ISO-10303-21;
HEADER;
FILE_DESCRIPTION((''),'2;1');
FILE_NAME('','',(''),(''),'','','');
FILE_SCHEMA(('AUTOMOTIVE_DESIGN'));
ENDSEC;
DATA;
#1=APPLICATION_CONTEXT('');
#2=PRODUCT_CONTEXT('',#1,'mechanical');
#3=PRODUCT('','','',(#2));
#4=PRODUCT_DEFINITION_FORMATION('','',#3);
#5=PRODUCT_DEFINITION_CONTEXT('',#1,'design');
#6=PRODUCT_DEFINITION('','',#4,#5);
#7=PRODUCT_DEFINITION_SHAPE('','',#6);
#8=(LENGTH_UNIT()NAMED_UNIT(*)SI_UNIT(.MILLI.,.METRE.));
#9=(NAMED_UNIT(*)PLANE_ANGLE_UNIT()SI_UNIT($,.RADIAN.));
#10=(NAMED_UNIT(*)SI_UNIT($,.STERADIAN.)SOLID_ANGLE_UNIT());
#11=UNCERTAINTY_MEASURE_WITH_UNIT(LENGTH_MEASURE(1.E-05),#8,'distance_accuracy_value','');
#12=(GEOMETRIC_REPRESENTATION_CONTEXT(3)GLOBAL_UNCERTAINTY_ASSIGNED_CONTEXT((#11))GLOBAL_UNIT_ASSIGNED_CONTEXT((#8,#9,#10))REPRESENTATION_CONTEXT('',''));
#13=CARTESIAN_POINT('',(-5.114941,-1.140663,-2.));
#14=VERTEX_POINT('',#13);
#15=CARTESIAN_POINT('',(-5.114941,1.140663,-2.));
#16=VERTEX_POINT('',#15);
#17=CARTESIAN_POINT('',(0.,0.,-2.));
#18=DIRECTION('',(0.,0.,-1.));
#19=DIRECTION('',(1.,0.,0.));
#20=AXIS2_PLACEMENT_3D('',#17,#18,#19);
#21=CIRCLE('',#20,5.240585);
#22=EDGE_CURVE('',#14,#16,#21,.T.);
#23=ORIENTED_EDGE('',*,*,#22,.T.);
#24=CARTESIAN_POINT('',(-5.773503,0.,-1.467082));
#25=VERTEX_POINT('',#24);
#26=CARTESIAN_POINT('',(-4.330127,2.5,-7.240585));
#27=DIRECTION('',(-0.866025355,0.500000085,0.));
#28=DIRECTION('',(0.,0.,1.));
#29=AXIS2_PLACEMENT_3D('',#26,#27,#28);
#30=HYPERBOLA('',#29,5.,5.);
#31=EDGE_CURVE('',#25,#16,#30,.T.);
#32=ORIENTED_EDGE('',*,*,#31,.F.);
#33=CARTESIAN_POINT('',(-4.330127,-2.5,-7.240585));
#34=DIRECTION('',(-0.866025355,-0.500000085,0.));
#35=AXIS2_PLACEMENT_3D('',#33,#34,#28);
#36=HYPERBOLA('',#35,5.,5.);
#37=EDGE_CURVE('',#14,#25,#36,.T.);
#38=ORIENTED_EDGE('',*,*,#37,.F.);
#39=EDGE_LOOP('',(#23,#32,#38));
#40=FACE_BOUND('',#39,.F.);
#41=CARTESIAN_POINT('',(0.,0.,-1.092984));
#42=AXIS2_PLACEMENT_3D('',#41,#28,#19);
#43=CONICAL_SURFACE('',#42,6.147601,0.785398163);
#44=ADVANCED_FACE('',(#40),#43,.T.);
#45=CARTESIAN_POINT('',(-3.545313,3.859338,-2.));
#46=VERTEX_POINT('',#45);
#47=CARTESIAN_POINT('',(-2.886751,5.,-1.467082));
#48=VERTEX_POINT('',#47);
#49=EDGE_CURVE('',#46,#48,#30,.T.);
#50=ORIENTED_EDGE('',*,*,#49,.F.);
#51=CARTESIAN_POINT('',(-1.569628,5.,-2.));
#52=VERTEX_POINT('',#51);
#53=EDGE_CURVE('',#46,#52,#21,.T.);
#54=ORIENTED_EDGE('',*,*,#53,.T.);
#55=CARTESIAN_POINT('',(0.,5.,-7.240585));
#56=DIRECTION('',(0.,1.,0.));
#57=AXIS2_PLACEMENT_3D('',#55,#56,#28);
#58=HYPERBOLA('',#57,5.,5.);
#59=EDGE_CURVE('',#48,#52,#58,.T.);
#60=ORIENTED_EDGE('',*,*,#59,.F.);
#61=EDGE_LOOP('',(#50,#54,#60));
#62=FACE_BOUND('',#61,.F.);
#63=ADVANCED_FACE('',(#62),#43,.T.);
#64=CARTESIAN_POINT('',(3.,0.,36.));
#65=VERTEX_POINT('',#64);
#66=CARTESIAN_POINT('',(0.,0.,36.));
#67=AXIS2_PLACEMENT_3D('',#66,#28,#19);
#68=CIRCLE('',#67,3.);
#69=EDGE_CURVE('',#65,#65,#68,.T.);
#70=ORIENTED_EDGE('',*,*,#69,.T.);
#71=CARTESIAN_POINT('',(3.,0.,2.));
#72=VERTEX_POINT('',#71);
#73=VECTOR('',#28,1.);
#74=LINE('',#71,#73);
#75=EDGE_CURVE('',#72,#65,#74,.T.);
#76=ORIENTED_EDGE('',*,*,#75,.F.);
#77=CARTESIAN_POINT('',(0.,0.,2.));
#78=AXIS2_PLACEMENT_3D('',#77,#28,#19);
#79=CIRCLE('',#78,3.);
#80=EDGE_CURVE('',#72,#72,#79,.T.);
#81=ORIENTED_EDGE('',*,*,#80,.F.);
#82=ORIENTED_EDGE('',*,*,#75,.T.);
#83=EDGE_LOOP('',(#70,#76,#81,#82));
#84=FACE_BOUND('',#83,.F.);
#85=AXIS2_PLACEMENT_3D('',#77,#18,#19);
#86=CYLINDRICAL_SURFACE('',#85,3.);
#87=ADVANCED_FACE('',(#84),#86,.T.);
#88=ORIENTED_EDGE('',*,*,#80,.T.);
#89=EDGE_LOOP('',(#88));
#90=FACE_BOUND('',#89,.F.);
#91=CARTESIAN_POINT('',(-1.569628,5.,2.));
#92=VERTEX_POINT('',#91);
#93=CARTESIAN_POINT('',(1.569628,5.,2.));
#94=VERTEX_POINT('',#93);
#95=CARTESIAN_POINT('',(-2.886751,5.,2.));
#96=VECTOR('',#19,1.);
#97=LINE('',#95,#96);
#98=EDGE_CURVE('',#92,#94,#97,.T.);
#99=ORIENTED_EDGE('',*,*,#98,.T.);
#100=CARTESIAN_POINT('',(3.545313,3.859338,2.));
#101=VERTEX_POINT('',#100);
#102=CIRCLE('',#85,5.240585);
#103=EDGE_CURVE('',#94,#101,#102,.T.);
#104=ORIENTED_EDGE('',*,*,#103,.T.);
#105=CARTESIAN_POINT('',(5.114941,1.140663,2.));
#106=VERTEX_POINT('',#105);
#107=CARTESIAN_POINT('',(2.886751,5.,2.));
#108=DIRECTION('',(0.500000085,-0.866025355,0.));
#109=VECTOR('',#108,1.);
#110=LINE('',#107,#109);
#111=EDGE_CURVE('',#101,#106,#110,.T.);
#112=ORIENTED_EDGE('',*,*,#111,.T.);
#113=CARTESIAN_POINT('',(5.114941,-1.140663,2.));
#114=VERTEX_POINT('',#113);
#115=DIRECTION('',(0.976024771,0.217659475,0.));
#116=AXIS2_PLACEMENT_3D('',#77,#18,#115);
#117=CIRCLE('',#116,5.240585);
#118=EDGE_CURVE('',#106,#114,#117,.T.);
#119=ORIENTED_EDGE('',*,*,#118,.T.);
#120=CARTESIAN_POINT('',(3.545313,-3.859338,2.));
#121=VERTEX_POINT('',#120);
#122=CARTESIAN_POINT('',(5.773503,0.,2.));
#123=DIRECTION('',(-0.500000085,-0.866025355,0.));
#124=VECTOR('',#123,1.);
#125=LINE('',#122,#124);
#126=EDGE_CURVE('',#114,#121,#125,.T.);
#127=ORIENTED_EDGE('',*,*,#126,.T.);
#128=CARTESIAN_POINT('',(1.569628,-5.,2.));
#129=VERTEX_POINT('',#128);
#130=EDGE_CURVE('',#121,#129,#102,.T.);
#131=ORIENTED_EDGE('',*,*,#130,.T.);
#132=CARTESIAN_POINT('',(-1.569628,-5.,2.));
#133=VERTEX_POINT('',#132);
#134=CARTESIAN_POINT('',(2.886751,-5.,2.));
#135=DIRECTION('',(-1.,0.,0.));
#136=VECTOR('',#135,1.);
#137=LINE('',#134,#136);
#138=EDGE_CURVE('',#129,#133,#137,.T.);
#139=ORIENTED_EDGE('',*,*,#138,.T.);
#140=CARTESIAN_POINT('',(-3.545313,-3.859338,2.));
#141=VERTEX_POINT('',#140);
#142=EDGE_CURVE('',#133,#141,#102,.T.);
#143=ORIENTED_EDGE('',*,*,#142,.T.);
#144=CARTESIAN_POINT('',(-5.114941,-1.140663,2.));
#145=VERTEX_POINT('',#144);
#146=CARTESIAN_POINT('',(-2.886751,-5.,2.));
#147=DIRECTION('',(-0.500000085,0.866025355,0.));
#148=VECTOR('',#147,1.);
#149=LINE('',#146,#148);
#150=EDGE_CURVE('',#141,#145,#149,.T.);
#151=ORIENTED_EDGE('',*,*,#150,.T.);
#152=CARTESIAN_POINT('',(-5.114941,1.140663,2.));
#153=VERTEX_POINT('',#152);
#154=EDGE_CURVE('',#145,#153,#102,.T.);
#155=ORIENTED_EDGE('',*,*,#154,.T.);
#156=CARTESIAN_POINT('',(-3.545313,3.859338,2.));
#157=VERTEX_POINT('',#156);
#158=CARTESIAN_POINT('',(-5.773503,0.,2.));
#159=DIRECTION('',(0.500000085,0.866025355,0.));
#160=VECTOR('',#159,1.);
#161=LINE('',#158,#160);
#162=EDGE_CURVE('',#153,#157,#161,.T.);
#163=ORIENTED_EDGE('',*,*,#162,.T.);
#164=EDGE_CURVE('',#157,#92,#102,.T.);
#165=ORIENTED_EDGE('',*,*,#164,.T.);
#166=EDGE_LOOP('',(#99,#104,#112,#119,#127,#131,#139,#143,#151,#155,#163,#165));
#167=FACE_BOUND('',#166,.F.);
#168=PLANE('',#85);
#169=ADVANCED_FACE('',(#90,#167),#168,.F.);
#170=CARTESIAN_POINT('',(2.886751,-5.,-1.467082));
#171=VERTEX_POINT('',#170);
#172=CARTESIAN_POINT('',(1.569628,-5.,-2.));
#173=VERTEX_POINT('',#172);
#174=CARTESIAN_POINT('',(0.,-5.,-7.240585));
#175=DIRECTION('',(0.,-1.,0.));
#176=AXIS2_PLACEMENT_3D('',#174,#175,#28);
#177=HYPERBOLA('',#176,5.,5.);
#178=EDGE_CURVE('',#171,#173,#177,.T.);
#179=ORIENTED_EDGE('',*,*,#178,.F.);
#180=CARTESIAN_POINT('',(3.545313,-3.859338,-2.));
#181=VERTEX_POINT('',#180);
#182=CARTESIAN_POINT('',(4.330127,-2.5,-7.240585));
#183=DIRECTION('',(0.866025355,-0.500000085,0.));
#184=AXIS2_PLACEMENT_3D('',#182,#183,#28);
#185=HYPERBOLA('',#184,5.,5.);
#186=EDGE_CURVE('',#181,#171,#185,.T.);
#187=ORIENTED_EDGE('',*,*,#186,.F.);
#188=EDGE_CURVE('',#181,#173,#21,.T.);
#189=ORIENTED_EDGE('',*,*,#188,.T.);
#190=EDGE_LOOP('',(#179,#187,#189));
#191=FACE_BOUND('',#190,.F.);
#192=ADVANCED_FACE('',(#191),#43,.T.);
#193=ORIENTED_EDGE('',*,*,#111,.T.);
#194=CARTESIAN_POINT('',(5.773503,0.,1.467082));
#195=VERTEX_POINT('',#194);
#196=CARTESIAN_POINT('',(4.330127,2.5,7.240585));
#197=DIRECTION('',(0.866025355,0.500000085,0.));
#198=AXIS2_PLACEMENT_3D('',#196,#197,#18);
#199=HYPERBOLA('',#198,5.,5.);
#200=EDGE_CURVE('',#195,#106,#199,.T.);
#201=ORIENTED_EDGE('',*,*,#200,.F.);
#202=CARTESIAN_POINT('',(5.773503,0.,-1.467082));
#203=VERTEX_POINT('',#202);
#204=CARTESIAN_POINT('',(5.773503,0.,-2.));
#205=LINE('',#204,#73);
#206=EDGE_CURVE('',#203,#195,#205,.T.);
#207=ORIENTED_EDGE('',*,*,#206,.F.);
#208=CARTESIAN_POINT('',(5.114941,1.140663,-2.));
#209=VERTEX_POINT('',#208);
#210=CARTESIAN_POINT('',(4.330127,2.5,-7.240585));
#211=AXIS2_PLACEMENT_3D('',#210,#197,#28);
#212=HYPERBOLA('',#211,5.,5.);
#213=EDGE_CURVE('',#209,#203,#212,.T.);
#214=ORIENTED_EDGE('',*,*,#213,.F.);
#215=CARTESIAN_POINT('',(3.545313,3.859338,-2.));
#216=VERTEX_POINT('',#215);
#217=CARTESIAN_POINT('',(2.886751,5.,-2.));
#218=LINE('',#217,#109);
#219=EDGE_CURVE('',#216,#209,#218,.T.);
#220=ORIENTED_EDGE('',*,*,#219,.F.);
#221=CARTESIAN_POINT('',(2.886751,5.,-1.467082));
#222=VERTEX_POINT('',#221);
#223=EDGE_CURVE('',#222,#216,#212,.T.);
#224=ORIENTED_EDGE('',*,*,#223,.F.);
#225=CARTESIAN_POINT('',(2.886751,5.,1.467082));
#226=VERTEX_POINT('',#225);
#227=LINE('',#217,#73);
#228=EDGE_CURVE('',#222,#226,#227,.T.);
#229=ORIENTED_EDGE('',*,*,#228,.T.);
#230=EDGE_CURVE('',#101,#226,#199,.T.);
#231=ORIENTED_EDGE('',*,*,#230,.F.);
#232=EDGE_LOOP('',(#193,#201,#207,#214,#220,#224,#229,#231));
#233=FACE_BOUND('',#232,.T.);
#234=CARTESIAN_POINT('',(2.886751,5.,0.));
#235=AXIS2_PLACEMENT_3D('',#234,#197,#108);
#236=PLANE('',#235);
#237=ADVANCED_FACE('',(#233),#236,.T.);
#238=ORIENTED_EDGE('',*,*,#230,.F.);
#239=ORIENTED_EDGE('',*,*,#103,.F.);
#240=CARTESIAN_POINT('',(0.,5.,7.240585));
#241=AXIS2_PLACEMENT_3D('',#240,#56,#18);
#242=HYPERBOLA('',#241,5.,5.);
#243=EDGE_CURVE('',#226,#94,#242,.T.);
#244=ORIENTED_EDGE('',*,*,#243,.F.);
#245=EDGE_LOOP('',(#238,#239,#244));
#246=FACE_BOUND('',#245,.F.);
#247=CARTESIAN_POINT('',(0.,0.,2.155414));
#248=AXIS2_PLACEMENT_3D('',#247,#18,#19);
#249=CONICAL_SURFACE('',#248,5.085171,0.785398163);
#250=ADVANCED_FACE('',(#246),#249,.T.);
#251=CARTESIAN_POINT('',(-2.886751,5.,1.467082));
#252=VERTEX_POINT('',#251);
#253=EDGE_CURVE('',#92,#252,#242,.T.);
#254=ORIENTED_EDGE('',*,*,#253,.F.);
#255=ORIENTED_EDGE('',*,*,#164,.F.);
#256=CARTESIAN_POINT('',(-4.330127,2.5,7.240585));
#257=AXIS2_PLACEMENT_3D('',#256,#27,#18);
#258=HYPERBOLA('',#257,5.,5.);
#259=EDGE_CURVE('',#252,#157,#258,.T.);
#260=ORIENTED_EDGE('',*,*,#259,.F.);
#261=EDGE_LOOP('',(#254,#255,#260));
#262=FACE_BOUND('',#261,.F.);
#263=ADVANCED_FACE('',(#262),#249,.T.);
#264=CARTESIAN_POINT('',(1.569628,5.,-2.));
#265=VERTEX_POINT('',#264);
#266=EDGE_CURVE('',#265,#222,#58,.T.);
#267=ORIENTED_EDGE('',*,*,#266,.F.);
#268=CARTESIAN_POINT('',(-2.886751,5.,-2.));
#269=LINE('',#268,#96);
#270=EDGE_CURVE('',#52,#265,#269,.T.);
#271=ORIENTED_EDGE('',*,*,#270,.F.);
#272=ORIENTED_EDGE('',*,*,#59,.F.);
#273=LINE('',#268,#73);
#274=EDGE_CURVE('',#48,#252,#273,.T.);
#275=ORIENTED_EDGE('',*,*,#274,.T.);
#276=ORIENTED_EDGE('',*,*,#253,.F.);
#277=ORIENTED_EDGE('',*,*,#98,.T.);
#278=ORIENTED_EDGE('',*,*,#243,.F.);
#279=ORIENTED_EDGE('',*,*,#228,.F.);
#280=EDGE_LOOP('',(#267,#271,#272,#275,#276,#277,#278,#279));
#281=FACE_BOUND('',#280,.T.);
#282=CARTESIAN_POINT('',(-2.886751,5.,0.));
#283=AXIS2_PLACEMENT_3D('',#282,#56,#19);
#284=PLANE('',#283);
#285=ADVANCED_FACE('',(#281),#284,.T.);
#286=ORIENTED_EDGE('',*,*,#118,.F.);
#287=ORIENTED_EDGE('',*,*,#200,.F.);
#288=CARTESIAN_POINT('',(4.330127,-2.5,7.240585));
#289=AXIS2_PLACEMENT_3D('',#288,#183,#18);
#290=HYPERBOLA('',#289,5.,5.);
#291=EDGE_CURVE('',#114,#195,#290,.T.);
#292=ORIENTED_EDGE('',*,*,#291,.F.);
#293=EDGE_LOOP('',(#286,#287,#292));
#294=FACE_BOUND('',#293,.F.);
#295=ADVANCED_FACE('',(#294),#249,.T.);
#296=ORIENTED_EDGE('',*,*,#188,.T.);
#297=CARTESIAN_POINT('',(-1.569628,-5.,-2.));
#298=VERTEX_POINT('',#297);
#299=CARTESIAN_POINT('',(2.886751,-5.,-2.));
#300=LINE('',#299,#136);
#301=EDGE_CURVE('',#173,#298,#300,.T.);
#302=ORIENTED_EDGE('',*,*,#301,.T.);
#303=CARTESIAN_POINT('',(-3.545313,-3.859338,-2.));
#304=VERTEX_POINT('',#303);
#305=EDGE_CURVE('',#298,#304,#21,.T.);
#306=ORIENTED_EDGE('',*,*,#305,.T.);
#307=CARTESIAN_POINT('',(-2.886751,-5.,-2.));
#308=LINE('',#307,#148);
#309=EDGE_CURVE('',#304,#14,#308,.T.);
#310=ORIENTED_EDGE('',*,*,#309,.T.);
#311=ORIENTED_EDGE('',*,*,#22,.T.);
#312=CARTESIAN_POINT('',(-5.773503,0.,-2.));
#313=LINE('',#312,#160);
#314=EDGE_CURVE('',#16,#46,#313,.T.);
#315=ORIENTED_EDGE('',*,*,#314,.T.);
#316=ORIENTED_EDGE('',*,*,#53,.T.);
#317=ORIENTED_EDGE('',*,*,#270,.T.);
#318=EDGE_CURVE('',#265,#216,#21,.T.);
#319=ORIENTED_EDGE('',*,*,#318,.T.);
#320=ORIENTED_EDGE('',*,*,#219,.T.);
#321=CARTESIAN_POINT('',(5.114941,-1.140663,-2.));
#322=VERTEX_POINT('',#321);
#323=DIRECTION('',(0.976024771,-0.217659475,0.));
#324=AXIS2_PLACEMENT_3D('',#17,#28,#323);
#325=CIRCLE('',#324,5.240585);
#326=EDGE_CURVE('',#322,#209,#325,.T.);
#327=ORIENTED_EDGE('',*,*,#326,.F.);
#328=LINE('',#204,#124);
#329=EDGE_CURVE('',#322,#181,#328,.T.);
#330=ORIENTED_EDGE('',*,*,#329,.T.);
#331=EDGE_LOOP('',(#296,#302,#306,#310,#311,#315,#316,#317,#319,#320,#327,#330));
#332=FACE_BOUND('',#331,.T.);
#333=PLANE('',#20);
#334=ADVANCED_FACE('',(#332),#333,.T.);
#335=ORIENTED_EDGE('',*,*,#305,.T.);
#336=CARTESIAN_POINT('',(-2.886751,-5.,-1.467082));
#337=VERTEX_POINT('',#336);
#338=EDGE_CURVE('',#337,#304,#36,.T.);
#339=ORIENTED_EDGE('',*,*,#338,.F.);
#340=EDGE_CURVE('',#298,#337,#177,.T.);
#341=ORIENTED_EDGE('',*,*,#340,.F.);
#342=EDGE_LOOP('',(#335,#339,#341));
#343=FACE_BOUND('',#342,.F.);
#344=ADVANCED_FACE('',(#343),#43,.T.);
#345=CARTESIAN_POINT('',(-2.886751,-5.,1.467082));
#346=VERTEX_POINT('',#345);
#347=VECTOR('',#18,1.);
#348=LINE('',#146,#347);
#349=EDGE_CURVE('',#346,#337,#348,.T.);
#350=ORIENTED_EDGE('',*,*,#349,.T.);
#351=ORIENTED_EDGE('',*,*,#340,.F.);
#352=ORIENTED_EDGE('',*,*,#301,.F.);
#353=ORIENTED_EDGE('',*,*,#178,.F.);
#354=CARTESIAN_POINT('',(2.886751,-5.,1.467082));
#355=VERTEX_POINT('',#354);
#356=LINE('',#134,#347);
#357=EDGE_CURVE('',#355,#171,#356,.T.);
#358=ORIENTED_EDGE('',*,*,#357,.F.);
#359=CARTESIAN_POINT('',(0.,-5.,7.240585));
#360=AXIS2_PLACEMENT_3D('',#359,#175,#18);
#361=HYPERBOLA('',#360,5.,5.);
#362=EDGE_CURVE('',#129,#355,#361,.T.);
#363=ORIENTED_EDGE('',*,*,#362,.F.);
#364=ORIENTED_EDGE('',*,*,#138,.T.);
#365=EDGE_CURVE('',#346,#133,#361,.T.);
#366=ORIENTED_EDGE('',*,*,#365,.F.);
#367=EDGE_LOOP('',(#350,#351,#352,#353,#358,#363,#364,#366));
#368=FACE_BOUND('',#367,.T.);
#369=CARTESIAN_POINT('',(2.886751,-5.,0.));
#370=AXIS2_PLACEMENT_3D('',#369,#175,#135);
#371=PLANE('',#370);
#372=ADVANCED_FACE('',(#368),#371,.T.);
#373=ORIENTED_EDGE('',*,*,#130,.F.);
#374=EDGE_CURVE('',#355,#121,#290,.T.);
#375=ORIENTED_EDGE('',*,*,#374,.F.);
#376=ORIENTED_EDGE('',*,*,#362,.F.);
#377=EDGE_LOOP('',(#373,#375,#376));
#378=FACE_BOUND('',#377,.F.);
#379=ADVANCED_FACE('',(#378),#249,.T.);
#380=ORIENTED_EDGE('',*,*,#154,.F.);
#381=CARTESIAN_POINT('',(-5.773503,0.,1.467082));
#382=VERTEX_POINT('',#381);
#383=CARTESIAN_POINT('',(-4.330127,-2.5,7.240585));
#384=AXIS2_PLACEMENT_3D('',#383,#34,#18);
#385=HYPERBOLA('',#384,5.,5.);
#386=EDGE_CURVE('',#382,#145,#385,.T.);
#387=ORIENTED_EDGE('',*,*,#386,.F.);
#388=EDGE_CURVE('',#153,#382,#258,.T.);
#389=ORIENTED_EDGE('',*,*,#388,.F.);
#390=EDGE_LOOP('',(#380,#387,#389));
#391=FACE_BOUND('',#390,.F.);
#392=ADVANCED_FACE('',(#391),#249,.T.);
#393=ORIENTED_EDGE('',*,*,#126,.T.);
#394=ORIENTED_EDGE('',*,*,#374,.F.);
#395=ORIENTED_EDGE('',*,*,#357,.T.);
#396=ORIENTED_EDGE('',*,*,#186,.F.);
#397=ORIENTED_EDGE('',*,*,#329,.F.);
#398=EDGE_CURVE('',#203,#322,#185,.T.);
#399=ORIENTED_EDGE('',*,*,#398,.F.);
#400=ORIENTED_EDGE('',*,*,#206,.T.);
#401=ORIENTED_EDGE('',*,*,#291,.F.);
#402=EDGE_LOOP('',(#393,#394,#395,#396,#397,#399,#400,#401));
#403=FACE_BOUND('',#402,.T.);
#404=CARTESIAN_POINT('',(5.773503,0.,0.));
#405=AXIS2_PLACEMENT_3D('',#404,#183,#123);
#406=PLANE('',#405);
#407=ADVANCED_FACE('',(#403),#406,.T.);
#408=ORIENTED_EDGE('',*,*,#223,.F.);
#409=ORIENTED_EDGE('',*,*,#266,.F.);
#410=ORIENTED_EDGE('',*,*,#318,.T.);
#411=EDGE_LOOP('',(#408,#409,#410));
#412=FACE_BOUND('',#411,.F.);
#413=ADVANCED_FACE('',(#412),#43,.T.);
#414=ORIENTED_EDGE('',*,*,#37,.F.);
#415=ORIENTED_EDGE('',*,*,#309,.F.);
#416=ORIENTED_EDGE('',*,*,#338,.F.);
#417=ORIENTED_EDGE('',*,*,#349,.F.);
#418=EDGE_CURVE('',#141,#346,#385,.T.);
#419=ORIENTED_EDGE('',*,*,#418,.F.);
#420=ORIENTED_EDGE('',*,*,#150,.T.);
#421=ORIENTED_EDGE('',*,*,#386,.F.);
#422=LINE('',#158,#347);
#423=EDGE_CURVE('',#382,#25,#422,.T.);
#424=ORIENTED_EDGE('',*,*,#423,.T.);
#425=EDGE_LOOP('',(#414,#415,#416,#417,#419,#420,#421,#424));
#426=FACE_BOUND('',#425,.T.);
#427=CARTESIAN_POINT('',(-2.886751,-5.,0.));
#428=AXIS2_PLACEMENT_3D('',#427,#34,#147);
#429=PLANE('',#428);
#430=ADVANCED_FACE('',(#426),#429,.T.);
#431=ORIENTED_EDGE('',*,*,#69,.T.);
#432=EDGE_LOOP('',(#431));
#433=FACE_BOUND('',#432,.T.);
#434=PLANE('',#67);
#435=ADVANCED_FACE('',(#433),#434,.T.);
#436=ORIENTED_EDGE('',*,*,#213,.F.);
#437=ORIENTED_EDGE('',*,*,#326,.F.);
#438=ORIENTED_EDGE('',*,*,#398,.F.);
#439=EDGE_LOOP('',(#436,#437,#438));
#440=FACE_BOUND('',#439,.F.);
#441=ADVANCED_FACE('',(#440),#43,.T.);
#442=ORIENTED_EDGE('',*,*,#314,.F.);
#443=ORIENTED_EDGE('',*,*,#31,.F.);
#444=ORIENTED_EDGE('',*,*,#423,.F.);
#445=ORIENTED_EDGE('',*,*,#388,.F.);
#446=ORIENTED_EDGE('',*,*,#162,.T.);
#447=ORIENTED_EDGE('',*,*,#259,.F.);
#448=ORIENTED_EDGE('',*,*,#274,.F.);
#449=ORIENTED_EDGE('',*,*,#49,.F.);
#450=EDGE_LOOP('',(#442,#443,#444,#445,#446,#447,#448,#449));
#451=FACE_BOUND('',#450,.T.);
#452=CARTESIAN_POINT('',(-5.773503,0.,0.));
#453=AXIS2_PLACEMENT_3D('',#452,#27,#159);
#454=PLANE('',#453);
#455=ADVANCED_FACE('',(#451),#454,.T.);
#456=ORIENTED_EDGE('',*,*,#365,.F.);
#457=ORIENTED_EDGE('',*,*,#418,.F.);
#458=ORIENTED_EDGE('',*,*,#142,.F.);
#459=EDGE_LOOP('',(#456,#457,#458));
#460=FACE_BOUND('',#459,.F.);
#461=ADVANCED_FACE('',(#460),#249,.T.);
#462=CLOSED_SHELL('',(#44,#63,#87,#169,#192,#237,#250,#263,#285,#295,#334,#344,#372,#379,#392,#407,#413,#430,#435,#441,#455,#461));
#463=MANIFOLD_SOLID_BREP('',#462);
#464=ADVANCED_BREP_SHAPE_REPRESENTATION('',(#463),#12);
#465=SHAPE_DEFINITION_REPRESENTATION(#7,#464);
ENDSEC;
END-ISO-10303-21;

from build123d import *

# Parameters (mm, degrees)
PAD_DEPTH    = 2
SKETCH_R     = 3
PAD001_DEPTH = 34


with BuildPart() as part:
    # Sketch001 → Pad (new body, symmetric)
    with BuildSketch(Plane(origin=(0, 0, 0), x_dir=(1, 0, 0), z_dir=(0, 0, -1))):
        Polygon((5.773503, 0), (2.886751, 5), (-2.886751, 5), (-5.773503, 0), (-2.886751, -5), (2.886751, -5), align=None)
    extrude(amount=PAD_DEPTH, both=True)

    # Sketch (on Face7 of Pad) → Pad001 (join)
    with BuildSketch(Plane.XY.offset(2)):
        Circle(SKETCH_R)
    extrude(amount=PAD001_DEPTH)

    # Sketch002 → Groove (revolve, cut)
    with BuildSketch(Plane.XZ):
        Polygon((5.085171, 2.155414), (6.147601, 1.092984), (6.147601, -1.092984), (5.085171, -2.155414), (6.90312, -2.155414), (6.90312, 2.155414), align=None)
    revolve(axis=Axis((0, 0, 0), (0, 0, 1)), mode=Mode.SUBTRACT)


solid = part.part
